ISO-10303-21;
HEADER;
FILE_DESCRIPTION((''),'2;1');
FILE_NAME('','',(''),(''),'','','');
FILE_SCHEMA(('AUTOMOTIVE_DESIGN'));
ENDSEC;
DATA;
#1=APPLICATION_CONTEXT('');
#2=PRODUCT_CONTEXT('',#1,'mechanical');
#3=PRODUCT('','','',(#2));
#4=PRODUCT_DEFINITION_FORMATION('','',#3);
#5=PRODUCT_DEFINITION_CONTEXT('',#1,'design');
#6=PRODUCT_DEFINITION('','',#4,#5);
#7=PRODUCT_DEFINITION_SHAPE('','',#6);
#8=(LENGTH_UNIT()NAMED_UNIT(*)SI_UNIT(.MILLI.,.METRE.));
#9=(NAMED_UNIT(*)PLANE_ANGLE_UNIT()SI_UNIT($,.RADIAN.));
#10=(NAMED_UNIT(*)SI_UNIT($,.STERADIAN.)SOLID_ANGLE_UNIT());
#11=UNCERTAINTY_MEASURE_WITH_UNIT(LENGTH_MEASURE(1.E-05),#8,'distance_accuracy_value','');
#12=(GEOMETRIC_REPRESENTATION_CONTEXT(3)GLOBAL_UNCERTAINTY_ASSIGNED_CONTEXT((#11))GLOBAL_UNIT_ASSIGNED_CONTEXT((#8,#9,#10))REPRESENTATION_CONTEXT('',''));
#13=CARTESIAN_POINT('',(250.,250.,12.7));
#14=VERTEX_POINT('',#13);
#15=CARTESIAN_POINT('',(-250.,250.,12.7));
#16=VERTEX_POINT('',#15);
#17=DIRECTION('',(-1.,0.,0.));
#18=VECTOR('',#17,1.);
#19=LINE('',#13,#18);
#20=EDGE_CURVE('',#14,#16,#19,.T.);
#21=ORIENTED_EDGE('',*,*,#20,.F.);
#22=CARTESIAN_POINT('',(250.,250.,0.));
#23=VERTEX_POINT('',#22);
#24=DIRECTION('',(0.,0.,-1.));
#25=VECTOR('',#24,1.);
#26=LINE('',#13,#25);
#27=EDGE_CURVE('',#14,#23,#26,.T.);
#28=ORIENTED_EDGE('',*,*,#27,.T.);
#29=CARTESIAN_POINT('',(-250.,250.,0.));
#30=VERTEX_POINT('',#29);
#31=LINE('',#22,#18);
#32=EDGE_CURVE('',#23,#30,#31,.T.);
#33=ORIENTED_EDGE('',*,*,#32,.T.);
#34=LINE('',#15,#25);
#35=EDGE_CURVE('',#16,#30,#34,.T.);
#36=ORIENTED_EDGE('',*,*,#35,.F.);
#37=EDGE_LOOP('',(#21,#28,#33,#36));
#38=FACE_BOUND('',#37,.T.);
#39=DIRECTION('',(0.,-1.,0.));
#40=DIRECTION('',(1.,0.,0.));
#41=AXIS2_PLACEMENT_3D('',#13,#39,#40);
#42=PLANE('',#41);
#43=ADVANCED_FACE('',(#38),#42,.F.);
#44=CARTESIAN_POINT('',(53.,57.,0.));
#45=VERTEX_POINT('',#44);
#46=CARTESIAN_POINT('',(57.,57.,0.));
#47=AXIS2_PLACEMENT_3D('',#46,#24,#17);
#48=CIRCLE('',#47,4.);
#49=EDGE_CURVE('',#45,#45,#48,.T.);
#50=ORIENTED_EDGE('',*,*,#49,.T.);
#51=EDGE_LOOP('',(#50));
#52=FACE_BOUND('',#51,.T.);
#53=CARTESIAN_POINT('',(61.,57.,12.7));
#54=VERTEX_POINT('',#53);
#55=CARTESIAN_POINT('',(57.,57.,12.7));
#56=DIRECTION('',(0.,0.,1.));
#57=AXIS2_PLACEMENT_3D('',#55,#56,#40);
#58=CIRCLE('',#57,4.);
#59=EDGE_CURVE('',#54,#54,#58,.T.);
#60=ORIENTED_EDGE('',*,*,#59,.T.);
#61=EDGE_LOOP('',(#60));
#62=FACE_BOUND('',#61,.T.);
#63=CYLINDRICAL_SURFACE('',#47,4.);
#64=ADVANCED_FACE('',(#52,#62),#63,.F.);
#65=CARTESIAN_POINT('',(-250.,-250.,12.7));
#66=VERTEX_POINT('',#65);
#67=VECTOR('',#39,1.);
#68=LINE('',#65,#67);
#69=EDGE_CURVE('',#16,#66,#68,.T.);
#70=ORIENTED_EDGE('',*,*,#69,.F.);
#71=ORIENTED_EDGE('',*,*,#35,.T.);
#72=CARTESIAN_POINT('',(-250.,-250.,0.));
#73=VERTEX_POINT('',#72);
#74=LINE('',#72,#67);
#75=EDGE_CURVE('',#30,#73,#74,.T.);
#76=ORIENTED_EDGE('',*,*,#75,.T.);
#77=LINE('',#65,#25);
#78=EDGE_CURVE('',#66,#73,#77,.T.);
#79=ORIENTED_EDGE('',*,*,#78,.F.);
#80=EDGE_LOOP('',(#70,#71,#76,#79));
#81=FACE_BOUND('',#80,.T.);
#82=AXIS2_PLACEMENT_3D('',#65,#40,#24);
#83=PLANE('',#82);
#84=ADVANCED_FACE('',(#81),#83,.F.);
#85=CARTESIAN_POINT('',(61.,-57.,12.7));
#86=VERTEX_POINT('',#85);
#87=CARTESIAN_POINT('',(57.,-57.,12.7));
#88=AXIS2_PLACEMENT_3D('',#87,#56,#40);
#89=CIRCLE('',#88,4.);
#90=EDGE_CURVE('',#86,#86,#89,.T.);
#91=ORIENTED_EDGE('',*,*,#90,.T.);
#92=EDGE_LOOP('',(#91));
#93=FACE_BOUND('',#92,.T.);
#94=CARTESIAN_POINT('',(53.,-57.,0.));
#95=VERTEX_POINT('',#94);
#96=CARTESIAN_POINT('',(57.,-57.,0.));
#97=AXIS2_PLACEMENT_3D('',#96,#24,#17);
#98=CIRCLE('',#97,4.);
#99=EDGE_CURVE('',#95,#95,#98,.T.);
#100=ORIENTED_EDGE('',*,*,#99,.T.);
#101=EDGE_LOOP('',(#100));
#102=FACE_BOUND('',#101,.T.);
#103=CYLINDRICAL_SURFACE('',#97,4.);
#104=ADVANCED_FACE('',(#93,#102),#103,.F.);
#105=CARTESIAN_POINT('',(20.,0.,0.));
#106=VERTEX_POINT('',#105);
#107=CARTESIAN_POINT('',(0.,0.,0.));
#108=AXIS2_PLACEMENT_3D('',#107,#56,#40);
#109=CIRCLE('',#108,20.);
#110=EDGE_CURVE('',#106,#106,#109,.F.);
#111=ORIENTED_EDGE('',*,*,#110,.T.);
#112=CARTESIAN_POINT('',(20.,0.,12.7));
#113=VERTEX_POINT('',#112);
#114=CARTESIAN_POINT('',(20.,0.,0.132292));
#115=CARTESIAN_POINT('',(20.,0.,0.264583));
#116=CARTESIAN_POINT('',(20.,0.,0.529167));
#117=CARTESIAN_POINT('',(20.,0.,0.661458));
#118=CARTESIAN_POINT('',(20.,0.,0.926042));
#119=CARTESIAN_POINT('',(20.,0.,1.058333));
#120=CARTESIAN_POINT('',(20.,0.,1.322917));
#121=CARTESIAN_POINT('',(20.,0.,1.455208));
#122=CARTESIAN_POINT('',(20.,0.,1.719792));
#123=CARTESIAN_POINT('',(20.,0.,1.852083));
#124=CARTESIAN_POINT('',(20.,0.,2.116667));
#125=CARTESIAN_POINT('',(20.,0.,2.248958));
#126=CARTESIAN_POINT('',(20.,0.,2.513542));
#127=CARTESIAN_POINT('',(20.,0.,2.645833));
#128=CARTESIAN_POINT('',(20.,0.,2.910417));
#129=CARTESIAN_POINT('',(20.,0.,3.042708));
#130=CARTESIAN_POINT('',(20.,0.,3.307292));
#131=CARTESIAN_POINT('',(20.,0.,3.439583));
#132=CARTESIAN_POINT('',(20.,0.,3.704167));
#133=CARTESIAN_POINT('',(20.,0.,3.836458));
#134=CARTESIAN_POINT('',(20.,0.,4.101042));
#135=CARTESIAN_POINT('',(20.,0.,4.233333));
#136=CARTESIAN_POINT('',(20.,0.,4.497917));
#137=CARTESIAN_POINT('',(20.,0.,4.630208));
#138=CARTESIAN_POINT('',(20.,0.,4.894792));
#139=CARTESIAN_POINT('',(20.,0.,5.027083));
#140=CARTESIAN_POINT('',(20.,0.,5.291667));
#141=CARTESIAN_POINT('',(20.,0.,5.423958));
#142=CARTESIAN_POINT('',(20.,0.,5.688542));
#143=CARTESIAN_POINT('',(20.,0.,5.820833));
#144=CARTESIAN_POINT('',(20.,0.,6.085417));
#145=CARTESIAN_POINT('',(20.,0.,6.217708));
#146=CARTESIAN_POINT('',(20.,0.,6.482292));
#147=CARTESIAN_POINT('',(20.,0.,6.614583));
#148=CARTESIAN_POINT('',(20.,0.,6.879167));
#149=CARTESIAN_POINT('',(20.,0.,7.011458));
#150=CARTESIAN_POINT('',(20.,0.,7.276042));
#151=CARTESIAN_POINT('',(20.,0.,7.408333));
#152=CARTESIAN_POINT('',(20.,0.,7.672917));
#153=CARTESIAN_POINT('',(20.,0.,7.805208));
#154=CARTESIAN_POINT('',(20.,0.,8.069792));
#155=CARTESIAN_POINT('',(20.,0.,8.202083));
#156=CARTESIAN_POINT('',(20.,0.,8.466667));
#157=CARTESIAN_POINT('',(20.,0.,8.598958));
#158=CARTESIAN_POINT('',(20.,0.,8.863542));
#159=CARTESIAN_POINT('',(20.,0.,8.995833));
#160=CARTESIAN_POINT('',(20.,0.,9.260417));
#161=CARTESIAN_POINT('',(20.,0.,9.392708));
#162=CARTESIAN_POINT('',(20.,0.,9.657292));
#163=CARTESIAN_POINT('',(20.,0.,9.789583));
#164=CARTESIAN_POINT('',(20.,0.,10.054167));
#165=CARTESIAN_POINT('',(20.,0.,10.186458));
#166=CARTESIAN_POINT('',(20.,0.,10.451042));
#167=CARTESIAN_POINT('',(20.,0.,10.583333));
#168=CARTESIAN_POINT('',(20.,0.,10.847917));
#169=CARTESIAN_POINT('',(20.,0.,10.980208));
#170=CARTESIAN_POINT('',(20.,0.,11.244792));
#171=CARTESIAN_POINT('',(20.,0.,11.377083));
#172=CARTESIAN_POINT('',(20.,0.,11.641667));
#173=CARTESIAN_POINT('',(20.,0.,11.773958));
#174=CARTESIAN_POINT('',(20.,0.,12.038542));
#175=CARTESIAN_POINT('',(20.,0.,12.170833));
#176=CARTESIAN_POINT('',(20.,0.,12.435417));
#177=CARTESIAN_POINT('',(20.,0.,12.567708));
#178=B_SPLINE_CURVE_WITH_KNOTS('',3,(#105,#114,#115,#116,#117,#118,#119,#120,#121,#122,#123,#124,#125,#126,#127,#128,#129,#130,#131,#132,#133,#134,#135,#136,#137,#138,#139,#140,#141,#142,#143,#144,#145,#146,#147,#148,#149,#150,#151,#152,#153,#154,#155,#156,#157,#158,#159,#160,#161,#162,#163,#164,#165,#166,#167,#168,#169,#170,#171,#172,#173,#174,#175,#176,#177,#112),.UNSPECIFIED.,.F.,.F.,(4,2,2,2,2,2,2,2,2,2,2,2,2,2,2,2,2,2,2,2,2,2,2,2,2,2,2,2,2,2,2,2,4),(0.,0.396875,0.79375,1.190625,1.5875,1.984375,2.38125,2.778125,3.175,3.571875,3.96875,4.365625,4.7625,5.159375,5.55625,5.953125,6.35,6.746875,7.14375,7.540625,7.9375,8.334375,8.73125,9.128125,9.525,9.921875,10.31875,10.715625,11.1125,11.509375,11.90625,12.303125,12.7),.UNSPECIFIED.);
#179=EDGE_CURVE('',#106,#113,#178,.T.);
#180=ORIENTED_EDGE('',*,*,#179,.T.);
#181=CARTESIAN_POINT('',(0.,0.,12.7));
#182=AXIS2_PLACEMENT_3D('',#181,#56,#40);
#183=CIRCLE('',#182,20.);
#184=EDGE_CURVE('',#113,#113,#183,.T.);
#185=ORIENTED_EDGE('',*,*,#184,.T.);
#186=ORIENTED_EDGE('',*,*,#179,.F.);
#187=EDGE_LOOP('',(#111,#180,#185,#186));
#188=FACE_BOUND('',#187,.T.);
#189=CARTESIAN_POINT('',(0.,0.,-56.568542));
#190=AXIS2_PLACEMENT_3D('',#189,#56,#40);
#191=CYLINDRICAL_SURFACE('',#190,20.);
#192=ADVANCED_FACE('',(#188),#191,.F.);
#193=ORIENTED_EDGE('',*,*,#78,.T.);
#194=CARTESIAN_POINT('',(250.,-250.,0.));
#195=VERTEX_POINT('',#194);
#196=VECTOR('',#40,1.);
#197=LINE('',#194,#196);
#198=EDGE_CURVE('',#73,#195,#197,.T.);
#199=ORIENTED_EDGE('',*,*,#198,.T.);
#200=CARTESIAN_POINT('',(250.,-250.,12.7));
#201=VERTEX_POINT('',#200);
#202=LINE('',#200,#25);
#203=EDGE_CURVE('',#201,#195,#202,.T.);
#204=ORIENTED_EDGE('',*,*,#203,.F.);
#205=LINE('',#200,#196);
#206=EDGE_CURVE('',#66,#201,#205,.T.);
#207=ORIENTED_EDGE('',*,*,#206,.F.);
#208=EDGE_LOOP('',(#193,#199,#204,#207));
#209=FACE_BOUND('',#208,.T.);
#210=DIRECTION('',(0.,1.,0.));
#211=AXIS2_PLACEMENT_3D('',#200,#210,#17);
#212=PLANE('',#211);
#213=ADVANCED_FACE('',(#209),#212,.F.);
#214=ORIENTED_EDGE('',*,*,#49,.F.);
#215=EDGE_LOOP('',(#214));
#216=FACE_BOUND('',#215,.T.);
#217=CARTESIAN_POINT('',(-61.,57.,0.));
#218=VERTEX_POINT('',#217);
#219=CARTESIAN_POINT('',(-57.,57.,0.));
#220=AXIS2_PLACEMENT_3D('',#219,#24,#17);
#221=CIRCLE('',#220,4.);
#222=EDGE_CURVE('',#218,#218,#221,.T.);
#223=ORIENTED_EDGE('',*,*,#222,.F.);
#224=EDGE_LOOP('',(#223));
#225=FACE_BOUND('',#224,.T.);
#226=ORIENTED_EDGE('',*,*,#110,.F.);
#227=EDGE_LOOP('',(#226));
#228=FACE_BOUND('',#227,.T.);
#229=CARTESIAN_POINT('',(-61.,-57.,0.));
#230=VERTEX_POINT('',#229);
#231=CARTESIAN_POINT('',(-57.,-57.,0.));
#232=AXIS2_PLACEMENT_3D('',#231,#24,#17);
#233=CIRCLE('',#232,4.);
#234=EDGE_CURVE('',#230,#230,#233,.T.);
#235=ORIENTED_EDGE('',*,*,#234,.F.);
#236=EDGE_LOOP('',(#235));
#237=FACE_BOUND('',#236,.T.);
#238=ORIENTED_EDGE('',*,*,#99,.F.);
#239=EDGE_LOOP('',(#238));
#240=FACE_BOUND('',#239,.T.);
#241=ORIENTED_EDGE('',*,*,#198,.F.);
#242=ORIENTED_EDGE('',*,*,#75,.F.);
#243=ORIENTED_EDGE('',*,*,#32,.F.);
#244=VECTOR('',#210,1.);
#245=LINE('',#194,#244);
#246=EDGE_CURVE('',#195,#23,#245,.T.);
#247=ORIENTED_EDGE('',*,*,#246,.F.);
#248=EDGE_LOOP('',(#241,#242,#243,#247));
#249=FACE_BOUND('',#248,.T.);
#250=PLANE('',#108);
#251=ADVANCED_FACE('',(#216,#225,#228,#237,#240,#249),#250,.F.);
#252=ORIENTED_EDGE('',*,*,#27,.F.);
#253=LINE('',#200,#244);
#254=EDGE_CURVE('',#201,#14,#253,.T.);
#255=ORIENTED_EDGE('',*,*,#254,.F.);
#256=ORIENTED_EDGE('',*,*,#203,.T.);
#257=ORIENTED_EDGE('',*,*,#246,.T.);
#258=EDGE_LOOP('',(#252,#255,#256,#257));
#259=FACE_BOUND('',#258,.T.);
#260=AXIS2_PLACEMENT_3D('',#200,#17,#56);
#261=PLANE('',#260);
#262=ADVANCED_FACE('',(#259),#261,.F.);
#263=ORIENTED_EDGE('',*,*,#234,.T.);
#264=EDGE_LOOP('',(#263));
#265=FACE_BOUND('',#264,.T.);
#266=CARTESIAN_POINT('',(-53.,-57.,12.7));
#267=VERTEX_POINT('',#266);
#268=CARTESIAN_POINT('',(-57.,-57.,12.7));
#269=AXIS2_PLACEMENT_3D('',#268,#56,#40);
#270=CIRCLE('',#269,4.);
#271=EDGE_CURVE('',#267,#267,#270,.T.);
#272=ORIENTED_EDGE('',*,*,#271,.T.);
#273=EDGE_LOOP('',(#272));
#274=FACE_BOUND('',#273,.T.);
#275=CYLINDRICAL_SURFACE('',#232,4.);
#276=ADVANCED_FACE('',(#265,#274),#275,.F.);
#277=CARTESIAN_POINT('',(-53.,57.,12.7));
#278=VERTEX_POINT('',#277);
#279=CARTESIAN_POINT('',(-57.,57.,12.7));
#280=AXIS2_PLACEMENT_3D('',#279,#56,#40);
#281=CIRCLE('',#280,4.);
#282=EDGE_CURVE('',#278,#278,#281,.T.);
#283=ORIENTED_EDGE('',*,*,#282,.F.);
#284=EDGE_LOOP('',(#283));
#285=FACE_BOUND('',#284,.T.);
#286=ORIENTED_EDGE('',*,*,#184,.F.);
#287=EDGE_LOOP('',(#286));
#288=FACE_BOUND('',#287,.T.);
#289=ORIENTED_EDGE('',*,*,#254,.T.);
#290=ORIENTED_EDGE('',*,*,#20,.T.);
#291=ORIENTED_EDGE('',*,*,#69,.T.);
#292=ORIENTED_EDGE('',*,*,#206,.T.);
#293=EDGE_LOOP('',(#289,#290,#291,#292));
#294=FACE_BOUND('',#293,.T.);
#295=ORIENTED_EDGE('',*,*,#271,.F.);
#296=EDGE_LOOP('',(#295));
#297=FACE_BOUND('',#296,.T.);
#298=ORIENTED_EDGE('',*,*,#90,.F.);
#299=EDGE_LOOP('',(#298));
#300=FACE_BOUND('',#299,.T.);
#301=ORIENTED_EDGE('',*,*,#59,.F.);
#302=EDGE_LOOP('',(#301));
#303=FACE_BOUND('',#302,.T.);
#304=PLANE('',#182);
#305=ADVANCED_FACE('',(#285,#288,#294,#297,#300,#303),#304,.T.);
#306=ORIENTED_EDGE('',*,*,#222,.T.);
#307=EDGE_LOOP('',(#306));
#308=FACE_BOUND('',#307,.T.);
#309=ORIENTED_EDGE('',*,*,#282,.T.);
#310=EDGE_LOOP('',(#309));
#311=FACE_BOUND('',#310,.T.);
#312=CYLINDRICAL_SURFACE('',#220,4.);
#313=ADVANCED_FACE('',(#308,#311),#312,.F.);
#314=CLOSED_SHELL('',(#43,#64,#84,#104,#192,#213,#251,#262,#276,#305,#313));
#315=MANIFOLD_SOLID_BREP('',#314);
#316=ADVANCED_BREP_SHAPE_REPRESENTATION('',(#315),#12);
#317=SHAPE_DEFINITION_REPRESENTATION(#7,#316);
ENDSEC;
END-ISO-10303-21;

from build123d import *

# Parameters (mm, degrees)
SKETCH1_W                   = 500
SKETCH1_H                   = 500
BOSS_EXTRUDE1_DEPTH         = 12.7
SKETCH4_R                   = 20
CUT_EXTRUDE1_DEPTH          = 12.7
F_8_0_MM_DOWEL_HOLES1_D     = 8
F_8_0_MM_DOWEL_HOLES1_DEPTH = 19.75
F_8_0_MM_DOWEL_HOLES1_TIP   = 2.403442476


with BuildPart() as part:
    # Sketch1 → Boss-Extrude1 (new body)
    with BuildSketch(Plane.XY):
        Rectangle(SKETCH1_W, SKETCH1_H)
    extrude(amount=BOSS_EXTRUDE1_DEPTH)

    # Sketch4 → Cut-Extrude1 (cut)
    with BuildSketch(Plane.XY.offset(12.7)):
        Circle(SKETCH4_R)
    extrude(amount=-CUT_EXTRUDE1_DEPTH, mode=Mode.SUBTRACT)

    # Ø8.0 mm Dowel Holes1
    with Locations(Plane(origin=(0, 0, 0), x_dir=(-1, 0, 0), z_dir=(0, 0, -1))):
        with Locations((57, 57), (-57, 57), (-57, -57), (57, -57)):
            Hole(F_8_0_MM_DOWEL_HOLES1_D / 2, depth=F_8_0_MM_DOWEL_HOLES1_DEPTH)
            with Locations((0, 0, -(F_8_0_MM_DOWEL_HOLES1_DEPTH + F_8_0_MM_DOWEL_HOLES1_TIP / 2))):  # 118° drill point
                Cone(0, F_8_0_MM_DOWEL_HOLES1_D / 2, F_8_0_MM_DOWEL_HOLES1_TIP, mode=Mode.SUBTRACT)


solid = part.part
